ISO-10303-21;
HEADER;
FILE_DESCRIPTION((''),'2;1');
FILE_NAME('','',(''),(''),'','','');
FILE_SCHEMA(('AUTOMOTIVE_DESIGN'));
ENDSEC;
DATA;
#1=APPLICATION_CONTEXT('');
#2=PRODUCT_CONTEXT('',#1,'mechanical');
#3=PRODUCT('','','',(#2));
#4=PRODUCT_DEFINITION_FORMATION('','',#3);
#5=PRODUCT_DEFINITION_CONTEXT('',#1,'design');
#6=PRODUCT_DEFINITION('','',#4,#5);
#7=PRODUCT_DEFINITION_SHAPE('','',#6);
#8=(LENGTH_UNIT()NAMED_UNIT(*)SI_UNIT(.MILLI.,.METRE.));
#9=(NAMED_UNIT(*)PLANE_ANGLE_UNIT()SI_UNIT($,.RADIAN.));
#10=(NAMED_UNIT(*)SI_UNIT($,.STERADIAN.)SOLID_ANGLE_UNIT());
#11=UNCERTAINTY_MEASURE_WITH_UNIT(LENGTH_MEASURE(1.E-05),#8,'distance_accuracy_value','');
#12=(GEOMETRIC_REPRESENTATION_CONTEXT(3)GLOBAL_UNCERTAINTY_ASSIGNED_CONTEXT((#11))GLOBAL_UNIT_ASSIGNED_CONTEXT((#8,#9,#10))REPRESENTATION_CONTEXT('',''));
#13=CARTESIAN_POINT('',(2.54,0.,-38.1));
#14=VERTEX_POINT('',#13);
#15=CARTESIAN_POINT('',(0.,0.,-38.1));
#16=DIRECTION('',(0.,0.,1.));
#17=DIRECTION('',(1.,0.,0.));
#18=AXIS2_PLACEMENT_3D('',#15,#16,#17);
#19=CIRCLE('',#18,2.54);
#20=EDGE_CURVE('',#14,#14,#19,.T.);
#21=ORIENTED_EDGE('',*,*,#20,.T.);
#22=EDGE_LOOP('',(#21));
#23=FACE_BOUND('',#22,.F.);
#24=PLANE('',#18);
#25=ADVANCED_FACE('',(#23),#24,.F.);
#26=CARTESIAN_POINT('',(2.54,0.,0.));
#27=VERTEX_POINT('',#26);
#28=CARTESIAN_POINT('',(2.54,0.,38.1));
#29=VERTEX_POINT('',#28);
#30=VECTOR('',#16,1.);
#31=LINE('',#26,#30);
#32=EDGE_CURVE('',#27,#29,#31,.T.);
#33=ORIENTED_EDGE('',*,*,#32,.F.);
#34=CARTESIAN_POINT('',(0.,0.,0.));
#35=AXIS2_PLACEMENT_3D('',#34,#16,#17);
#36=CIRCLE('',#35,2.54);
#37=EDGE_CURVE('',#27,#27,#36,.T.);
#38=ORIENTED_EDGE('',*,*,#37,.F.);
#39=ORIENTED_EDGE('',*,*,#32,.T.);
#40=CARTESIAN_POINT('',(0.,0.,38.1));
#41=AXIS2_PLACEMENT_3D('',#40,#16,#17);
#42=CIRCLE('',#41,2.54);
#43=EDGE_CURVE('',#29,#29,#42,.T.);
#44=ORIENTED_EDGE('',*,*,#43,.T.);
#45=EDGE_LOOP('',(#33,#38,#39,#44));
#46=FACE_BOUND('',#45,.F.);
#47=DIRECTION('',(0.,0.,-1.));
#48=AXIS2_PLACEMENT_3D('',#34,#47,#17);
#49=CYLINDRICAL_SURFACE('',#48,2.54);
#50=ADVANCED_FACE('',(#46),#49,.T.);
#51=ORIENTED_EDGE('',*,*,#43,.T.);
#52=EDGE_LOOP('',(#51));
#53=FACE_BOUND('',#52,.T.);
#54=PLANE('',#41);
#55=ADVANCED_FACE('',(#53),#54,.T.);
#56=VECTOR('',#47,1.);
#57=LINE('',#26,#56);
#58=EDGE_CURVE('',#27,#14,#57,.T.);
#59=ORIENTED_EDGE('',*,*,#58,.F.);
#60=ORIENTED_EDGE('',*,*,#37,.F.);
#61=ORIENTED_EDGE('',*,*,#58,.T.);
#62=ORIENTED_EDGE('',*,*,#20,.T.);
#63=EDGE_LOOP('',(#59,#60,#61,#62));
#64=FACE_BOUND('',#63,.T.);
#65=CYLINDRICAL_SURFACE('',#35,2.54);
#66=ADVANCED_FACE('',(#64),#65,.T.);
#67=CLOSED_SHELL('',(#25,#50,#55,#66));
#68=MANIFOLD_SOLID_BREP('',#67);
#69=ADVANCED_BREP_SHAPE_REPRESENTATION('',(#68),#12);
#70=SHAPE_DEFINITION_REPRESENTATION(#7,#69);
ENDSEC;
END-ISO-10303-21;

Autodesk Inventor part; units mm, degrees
ref_plane "YZ Plane" through (0, 0, 0) normal (1, 0, 0) x (0, 1, 0)
ref_plane "XZ Plane" through (0, 0, 0) normal (0, 1, 0) x (-1, 0, 0)
ref_plane "XY Plane" through (0, 0, 0) normal (0, 0, 1) x (1, 0, 0)
sketch "Sketch1" plane through (0, 0, 0) normal (0, 0, 1) x (1, 0, 0)
  circle A0 centre (0, 0) radius 2.54
  dimension "d2" = 5.08
extrude "Extrusion1" add sketch "Sketch1" along normal mid plane 76.2
equation "\"d2\" = tapDiam4x40"
equation "\"d0\" = tapLength4x40"
equation "\"tapDiam1d4x28\" = 5.08"
equation "\"tapDiam1d4x20\" = 5.08"
equation "\"tapDiam12x24\" = 5.08"
equation "\"tapDiam8x36\" = 5.08"
equation "\"tapDiam10x32\" = 5.08"
equation "\"tapLength4x40\" = 76.2"
equation "\"tapDiam8x32\" = 5.08"
equation "\"lowerCaseHeight\" = 127"
equation "\"tapDiam4x40\" = 5.08"
equation "\"fingerWidth\" = 19.05"
equation "\"lowerCaseDepth\" = 25.4"
equation "\"tapLength6x32\" = 76.2"
equation "\"lowerCaseWidth\" = 254"
equation "\"tapDiam12x28\" = 5.08"
equation "\"tapDiam6x32\" = 5.08"
equation "\"tapDiam6x40\" = 5.08"
equation "\"tapDiam10x24\" = 5.08"
equation "\"tapDiaam4x48\" = 5.08"
equation "\"tapLength4x48\" = 76.2"
properties part number "4x40 Tap"
